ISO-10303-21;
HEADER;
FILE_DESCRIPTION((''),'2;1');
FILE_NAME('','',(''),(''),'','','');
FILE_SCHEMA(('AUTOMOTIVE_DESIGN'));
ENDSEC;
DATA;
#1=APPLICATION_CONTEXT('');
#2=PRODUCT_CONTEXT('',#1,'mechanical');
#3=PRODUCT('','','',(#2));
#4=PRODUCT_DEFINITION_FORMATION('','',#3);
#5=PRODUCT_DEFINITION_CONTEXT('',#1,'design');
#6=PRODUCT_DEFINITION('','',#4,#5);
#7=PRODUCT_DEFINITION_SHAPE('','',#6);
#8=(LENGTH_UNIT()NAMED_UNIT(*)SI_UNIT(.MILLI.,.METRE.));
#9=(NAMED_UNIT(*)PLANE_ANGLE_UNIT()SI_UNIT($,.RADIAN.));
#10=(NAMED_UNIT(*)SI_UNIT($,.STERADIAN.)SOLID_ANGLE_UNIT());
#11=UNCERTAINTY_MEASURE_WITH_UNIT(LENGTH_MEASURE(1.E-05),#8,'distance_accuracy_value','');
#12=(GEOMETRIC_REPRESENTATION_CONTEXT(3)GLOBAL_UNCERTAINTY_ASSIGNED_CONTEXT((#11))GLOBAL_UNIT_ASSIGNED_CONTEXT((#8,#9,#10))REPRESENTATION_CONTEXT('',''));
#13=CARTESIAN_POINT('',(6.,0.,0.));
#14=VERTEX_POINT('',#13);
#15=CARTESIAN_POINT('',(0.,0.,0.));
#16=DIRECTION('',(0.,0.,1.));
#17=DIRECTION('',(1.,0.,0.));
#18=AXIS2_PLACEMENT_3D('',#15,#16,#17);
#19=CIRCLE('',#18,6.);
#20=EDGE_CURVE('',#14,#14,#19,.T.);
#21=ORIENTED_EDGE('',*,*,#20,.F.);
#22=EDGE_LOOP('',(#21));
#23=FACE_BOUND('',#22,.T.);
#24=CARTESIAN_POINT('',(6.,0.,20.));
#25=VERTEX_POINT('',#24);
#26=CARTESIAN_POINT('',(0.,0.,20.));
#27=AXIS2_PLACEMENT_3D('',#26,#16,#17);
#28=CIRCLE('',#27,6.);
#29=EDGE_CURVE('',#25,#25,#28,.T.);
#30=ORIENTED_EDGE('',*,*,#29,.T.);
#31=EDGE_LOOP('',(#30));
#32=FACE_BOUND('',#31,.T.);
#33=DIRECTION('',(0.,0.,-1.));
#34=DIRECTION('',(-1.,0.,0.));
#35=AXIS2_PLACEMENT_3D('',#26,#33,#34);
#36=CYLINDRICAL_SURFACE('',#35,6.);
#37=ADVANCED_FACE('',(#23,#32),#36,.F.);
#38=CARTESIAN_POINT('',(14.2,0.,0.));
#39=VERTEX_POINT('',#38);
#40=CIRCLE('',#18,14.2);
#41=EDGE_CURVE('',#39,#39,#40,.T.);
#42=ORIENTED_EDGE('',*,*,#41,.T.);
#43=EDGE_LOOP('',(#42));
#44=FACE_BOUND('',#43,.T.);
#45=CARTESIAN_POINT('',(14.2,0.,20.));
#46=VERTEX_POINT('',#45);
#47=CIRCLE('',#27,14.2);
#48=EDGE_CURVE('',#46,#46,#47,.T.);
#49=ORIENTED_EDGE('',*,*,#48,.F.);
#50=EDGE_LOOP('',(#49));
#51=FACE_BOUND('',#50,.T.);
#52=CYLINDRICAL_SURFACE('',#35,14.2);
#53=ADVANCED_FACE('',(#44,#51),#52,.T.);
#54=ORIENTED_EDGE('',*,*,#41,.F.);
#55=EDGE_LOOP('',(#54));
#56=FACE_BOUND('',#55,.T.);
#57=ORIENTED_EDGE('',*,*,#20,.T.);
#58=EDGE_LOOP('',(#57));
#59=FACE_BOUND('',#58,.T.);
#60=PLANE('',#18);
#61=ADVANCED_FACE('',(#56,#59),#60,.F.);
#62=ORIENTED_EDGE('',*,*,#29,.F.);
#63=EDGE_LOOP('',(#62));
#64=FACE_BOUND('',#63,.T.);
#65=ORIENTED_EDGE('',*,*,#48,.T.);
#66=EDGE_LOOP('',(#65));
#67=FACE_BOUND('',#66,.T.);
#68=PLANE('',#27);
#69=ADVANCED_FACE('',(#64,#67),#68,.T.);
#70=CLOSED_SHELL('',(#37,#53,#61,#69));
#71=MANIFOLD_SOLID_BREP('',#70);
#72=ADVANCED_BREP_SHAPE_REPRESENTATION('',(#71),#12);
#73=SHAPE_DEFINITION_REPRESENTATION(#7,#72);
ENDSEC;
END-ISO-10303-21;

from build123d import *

# Parameters (mm, degrees)
SKETCH1_R                                      = 14.2
SKETCH1_R_2                                    = 6
CONNECTION_SPACE_ONLY_NO_THREADS_OR_SEAL_DEPTH = 20


with BuildPart() as part:
    # Sketch1 → Connection_space_only_NO_THREADS_OR_SEALS (new body)
    with BuildSketch(Plane.XY):
        Circle(SKETCH1_R)
        Circle(SKETCH1_R_2, mode=Mode.SUBTRACT)
    extrude(amount=CONNECTION_SPACE_ONLY_NO_THREADS_OR_SEAL_DEPTH)


solid = part.part
